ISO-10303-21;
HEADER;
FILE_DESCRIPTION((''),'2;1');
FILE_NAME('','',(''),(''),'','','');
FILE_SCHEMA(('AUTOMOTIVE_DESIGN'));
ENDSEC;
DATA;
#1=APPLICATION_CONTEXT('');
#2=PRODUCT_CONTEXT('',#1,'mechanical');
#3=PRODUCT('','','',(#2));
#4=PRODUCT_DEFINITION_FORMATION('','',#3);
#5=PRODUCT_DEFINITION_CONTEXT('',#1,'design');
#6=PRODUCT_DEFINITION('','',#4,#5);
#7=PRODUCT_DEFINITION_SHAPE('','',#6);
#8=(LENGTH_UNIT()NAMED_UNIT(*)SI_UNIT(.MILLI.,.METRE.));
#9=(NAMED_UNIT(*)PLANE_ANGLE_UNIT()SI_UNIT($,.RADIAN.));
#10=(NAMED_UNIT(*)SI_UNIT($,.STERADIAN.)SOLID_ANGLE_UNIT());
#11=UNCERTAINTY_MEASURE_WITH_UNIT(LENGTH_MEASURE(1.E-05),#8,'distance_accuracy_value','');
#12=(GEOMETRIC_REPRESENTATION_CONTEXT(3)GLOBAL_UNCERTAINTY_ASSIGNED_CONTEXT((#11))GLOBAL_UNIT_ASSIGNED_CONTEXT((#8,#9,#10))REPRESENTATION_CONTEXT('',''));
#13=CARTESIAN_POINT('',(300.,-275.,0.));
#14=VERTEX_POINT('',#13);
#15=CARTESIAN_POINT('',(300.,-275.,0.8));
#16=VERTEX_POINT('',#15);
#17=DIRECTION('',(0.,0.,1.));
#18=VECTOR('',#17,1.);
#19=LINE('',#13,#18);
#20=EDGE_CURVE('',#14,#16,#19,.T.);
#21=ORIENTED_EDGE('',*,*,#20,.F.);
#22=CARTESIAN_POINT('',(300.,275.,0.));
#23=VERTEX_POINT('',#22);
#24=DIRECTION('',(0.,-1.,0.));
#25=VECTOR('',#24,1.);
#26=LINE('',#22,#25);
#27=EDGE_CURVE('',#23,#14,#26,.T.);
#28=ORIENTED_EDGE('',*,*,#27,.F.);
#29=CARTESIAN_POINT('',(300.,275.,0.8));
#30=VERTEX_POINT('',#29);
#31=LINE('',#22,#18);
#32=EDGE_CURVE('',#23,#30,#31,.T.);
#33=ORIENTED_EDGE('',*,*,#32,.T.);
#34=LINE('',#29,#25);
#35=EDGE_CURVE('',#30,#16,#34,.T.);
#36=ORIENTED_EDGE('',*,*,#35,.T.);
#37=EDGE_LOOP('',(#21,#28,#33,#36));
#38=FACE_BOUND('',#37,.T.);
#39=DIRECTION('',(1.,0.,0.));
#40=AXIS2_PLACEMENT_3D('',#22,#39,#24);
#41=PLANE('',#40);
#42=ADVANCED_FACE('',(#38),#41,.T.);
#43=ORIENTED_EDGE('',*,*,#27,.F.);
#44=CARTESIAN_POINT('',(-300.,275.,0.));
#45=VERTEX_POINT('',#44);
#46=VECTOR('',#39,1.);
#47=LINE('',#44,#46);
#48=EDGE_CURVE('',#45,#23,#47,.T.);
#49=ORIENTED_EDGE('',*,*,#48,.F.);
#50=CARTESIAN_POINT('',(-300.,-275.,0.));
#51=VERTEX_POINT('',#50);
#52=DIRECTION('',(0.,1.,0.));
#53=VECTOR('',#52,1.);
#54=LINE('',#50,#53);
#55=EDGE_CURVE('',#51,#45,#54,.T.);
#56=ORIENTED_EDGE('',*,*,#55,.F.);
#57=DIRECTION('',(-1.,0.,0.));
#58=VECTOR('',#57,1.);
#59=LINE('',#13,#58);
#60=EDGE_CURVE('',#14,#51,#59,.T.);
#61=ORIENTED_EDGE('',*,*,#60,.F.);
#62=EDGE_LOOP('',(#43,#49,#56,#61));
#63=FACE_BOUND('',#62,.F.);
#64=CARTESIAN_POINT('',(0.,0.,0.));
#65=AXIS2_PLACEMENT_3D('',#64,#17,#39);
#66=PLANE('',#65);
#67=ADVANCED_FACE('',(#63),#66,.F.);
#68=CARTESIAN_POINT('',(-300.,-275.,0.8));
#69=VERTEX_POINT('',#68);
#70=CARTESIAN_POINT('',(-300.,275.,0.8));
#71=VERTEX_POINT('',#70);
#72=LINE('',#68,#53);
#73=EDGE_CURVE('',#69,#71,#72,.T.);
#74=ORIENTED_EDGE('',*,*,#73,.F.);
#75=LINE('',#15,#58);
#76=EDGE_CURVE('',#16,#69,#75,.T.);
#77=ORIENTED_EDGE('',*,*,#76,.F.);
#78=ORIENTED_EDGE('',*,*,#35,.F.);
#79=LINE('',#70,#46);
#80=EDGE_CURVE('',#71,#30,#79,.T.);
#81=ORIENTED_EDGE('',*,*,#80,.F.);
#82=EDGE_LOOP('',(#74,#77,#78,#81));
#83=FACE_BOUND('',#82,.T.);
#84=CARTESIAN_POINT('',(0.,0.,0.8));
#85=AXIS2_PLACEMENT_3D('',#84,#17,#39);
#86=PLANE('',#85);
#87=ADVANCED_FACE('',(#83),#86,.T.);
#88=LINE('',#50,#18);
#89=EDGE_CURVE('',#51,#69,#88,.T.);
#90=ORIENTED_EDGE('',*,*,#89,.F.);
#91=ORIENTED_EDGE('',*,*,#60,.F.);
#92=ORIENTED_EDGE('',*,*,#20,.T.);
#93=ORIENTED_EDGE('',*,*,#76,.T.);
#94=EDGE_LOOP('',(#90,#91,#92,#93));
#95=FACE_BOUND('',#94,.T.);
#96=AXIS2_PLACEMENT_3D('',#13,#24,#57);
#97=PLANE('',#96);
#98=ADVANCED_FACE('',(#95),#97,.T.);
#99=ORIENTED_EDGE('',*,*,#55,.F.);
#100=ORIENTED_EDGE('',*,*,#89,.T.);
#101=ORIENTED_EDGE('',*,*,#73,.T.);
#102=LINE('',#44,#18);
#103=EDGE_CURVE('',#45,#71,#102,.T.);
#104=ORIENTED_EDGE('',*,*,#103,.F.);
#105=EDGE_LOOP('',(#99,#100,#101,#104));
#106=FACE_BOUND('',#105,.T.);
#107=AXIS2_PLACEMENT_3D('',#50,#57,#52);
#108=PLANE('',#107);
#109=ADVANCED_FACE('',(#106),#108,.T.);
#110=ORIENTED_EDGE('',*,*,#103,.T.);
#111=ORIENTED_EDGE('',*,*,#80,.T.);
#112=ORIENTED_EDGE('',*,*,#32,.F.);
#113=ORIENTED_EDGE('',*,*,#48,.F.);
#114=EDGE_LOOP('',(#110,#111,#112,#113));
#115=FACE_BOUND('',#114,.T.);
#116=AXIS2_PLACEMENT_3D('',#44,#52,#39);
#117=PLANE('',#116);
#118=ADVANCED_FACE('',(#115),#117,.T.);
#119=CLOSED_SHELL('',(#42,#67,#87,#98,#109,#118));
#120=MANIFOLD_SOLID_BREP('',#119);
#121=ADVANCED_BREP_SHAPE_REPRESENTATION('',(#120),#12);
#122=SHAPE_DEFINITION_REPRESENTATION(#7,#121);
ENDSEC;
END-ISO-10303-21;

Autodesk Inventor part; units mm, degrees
ref_plane "YZ Plane" through (0, 0, 0) normal (1, 0, 0) x (0, 1, 0)
ref_plane "XZ Plane" through (0, 0, 0) normal (0, 1, 0) x (-1, 0, 0)
ref_plane "XY Plane" through (0, 0, 0) normal (0, 0, 1) x (1, 0, 0)
sketch "Skizze1" plane through (0, 0, 0) normal (0, 0, 1) x (1, 0, 0)
  line L0 (-300, 275) -> (300, 275)
  line L1 (300, 275) -> (300, -275)
  line L2 (300, -275) -> (-300, -275)
  line L3 (-300, -275) -> (-300, 275)
  point P0 (0, 0)
  dimension "d0" = 600
  dimension "d1" = 550
  dimension "d2" = 300
  dimension "d3" = 275
extrude "Extrusion1" add sketch "Skizze1" along normal blind 0.8
equation "\"d2\" = 0.5 * d0"
equation "\"d3\" = 0.5 * d1"
properties part number "CageFloor"
